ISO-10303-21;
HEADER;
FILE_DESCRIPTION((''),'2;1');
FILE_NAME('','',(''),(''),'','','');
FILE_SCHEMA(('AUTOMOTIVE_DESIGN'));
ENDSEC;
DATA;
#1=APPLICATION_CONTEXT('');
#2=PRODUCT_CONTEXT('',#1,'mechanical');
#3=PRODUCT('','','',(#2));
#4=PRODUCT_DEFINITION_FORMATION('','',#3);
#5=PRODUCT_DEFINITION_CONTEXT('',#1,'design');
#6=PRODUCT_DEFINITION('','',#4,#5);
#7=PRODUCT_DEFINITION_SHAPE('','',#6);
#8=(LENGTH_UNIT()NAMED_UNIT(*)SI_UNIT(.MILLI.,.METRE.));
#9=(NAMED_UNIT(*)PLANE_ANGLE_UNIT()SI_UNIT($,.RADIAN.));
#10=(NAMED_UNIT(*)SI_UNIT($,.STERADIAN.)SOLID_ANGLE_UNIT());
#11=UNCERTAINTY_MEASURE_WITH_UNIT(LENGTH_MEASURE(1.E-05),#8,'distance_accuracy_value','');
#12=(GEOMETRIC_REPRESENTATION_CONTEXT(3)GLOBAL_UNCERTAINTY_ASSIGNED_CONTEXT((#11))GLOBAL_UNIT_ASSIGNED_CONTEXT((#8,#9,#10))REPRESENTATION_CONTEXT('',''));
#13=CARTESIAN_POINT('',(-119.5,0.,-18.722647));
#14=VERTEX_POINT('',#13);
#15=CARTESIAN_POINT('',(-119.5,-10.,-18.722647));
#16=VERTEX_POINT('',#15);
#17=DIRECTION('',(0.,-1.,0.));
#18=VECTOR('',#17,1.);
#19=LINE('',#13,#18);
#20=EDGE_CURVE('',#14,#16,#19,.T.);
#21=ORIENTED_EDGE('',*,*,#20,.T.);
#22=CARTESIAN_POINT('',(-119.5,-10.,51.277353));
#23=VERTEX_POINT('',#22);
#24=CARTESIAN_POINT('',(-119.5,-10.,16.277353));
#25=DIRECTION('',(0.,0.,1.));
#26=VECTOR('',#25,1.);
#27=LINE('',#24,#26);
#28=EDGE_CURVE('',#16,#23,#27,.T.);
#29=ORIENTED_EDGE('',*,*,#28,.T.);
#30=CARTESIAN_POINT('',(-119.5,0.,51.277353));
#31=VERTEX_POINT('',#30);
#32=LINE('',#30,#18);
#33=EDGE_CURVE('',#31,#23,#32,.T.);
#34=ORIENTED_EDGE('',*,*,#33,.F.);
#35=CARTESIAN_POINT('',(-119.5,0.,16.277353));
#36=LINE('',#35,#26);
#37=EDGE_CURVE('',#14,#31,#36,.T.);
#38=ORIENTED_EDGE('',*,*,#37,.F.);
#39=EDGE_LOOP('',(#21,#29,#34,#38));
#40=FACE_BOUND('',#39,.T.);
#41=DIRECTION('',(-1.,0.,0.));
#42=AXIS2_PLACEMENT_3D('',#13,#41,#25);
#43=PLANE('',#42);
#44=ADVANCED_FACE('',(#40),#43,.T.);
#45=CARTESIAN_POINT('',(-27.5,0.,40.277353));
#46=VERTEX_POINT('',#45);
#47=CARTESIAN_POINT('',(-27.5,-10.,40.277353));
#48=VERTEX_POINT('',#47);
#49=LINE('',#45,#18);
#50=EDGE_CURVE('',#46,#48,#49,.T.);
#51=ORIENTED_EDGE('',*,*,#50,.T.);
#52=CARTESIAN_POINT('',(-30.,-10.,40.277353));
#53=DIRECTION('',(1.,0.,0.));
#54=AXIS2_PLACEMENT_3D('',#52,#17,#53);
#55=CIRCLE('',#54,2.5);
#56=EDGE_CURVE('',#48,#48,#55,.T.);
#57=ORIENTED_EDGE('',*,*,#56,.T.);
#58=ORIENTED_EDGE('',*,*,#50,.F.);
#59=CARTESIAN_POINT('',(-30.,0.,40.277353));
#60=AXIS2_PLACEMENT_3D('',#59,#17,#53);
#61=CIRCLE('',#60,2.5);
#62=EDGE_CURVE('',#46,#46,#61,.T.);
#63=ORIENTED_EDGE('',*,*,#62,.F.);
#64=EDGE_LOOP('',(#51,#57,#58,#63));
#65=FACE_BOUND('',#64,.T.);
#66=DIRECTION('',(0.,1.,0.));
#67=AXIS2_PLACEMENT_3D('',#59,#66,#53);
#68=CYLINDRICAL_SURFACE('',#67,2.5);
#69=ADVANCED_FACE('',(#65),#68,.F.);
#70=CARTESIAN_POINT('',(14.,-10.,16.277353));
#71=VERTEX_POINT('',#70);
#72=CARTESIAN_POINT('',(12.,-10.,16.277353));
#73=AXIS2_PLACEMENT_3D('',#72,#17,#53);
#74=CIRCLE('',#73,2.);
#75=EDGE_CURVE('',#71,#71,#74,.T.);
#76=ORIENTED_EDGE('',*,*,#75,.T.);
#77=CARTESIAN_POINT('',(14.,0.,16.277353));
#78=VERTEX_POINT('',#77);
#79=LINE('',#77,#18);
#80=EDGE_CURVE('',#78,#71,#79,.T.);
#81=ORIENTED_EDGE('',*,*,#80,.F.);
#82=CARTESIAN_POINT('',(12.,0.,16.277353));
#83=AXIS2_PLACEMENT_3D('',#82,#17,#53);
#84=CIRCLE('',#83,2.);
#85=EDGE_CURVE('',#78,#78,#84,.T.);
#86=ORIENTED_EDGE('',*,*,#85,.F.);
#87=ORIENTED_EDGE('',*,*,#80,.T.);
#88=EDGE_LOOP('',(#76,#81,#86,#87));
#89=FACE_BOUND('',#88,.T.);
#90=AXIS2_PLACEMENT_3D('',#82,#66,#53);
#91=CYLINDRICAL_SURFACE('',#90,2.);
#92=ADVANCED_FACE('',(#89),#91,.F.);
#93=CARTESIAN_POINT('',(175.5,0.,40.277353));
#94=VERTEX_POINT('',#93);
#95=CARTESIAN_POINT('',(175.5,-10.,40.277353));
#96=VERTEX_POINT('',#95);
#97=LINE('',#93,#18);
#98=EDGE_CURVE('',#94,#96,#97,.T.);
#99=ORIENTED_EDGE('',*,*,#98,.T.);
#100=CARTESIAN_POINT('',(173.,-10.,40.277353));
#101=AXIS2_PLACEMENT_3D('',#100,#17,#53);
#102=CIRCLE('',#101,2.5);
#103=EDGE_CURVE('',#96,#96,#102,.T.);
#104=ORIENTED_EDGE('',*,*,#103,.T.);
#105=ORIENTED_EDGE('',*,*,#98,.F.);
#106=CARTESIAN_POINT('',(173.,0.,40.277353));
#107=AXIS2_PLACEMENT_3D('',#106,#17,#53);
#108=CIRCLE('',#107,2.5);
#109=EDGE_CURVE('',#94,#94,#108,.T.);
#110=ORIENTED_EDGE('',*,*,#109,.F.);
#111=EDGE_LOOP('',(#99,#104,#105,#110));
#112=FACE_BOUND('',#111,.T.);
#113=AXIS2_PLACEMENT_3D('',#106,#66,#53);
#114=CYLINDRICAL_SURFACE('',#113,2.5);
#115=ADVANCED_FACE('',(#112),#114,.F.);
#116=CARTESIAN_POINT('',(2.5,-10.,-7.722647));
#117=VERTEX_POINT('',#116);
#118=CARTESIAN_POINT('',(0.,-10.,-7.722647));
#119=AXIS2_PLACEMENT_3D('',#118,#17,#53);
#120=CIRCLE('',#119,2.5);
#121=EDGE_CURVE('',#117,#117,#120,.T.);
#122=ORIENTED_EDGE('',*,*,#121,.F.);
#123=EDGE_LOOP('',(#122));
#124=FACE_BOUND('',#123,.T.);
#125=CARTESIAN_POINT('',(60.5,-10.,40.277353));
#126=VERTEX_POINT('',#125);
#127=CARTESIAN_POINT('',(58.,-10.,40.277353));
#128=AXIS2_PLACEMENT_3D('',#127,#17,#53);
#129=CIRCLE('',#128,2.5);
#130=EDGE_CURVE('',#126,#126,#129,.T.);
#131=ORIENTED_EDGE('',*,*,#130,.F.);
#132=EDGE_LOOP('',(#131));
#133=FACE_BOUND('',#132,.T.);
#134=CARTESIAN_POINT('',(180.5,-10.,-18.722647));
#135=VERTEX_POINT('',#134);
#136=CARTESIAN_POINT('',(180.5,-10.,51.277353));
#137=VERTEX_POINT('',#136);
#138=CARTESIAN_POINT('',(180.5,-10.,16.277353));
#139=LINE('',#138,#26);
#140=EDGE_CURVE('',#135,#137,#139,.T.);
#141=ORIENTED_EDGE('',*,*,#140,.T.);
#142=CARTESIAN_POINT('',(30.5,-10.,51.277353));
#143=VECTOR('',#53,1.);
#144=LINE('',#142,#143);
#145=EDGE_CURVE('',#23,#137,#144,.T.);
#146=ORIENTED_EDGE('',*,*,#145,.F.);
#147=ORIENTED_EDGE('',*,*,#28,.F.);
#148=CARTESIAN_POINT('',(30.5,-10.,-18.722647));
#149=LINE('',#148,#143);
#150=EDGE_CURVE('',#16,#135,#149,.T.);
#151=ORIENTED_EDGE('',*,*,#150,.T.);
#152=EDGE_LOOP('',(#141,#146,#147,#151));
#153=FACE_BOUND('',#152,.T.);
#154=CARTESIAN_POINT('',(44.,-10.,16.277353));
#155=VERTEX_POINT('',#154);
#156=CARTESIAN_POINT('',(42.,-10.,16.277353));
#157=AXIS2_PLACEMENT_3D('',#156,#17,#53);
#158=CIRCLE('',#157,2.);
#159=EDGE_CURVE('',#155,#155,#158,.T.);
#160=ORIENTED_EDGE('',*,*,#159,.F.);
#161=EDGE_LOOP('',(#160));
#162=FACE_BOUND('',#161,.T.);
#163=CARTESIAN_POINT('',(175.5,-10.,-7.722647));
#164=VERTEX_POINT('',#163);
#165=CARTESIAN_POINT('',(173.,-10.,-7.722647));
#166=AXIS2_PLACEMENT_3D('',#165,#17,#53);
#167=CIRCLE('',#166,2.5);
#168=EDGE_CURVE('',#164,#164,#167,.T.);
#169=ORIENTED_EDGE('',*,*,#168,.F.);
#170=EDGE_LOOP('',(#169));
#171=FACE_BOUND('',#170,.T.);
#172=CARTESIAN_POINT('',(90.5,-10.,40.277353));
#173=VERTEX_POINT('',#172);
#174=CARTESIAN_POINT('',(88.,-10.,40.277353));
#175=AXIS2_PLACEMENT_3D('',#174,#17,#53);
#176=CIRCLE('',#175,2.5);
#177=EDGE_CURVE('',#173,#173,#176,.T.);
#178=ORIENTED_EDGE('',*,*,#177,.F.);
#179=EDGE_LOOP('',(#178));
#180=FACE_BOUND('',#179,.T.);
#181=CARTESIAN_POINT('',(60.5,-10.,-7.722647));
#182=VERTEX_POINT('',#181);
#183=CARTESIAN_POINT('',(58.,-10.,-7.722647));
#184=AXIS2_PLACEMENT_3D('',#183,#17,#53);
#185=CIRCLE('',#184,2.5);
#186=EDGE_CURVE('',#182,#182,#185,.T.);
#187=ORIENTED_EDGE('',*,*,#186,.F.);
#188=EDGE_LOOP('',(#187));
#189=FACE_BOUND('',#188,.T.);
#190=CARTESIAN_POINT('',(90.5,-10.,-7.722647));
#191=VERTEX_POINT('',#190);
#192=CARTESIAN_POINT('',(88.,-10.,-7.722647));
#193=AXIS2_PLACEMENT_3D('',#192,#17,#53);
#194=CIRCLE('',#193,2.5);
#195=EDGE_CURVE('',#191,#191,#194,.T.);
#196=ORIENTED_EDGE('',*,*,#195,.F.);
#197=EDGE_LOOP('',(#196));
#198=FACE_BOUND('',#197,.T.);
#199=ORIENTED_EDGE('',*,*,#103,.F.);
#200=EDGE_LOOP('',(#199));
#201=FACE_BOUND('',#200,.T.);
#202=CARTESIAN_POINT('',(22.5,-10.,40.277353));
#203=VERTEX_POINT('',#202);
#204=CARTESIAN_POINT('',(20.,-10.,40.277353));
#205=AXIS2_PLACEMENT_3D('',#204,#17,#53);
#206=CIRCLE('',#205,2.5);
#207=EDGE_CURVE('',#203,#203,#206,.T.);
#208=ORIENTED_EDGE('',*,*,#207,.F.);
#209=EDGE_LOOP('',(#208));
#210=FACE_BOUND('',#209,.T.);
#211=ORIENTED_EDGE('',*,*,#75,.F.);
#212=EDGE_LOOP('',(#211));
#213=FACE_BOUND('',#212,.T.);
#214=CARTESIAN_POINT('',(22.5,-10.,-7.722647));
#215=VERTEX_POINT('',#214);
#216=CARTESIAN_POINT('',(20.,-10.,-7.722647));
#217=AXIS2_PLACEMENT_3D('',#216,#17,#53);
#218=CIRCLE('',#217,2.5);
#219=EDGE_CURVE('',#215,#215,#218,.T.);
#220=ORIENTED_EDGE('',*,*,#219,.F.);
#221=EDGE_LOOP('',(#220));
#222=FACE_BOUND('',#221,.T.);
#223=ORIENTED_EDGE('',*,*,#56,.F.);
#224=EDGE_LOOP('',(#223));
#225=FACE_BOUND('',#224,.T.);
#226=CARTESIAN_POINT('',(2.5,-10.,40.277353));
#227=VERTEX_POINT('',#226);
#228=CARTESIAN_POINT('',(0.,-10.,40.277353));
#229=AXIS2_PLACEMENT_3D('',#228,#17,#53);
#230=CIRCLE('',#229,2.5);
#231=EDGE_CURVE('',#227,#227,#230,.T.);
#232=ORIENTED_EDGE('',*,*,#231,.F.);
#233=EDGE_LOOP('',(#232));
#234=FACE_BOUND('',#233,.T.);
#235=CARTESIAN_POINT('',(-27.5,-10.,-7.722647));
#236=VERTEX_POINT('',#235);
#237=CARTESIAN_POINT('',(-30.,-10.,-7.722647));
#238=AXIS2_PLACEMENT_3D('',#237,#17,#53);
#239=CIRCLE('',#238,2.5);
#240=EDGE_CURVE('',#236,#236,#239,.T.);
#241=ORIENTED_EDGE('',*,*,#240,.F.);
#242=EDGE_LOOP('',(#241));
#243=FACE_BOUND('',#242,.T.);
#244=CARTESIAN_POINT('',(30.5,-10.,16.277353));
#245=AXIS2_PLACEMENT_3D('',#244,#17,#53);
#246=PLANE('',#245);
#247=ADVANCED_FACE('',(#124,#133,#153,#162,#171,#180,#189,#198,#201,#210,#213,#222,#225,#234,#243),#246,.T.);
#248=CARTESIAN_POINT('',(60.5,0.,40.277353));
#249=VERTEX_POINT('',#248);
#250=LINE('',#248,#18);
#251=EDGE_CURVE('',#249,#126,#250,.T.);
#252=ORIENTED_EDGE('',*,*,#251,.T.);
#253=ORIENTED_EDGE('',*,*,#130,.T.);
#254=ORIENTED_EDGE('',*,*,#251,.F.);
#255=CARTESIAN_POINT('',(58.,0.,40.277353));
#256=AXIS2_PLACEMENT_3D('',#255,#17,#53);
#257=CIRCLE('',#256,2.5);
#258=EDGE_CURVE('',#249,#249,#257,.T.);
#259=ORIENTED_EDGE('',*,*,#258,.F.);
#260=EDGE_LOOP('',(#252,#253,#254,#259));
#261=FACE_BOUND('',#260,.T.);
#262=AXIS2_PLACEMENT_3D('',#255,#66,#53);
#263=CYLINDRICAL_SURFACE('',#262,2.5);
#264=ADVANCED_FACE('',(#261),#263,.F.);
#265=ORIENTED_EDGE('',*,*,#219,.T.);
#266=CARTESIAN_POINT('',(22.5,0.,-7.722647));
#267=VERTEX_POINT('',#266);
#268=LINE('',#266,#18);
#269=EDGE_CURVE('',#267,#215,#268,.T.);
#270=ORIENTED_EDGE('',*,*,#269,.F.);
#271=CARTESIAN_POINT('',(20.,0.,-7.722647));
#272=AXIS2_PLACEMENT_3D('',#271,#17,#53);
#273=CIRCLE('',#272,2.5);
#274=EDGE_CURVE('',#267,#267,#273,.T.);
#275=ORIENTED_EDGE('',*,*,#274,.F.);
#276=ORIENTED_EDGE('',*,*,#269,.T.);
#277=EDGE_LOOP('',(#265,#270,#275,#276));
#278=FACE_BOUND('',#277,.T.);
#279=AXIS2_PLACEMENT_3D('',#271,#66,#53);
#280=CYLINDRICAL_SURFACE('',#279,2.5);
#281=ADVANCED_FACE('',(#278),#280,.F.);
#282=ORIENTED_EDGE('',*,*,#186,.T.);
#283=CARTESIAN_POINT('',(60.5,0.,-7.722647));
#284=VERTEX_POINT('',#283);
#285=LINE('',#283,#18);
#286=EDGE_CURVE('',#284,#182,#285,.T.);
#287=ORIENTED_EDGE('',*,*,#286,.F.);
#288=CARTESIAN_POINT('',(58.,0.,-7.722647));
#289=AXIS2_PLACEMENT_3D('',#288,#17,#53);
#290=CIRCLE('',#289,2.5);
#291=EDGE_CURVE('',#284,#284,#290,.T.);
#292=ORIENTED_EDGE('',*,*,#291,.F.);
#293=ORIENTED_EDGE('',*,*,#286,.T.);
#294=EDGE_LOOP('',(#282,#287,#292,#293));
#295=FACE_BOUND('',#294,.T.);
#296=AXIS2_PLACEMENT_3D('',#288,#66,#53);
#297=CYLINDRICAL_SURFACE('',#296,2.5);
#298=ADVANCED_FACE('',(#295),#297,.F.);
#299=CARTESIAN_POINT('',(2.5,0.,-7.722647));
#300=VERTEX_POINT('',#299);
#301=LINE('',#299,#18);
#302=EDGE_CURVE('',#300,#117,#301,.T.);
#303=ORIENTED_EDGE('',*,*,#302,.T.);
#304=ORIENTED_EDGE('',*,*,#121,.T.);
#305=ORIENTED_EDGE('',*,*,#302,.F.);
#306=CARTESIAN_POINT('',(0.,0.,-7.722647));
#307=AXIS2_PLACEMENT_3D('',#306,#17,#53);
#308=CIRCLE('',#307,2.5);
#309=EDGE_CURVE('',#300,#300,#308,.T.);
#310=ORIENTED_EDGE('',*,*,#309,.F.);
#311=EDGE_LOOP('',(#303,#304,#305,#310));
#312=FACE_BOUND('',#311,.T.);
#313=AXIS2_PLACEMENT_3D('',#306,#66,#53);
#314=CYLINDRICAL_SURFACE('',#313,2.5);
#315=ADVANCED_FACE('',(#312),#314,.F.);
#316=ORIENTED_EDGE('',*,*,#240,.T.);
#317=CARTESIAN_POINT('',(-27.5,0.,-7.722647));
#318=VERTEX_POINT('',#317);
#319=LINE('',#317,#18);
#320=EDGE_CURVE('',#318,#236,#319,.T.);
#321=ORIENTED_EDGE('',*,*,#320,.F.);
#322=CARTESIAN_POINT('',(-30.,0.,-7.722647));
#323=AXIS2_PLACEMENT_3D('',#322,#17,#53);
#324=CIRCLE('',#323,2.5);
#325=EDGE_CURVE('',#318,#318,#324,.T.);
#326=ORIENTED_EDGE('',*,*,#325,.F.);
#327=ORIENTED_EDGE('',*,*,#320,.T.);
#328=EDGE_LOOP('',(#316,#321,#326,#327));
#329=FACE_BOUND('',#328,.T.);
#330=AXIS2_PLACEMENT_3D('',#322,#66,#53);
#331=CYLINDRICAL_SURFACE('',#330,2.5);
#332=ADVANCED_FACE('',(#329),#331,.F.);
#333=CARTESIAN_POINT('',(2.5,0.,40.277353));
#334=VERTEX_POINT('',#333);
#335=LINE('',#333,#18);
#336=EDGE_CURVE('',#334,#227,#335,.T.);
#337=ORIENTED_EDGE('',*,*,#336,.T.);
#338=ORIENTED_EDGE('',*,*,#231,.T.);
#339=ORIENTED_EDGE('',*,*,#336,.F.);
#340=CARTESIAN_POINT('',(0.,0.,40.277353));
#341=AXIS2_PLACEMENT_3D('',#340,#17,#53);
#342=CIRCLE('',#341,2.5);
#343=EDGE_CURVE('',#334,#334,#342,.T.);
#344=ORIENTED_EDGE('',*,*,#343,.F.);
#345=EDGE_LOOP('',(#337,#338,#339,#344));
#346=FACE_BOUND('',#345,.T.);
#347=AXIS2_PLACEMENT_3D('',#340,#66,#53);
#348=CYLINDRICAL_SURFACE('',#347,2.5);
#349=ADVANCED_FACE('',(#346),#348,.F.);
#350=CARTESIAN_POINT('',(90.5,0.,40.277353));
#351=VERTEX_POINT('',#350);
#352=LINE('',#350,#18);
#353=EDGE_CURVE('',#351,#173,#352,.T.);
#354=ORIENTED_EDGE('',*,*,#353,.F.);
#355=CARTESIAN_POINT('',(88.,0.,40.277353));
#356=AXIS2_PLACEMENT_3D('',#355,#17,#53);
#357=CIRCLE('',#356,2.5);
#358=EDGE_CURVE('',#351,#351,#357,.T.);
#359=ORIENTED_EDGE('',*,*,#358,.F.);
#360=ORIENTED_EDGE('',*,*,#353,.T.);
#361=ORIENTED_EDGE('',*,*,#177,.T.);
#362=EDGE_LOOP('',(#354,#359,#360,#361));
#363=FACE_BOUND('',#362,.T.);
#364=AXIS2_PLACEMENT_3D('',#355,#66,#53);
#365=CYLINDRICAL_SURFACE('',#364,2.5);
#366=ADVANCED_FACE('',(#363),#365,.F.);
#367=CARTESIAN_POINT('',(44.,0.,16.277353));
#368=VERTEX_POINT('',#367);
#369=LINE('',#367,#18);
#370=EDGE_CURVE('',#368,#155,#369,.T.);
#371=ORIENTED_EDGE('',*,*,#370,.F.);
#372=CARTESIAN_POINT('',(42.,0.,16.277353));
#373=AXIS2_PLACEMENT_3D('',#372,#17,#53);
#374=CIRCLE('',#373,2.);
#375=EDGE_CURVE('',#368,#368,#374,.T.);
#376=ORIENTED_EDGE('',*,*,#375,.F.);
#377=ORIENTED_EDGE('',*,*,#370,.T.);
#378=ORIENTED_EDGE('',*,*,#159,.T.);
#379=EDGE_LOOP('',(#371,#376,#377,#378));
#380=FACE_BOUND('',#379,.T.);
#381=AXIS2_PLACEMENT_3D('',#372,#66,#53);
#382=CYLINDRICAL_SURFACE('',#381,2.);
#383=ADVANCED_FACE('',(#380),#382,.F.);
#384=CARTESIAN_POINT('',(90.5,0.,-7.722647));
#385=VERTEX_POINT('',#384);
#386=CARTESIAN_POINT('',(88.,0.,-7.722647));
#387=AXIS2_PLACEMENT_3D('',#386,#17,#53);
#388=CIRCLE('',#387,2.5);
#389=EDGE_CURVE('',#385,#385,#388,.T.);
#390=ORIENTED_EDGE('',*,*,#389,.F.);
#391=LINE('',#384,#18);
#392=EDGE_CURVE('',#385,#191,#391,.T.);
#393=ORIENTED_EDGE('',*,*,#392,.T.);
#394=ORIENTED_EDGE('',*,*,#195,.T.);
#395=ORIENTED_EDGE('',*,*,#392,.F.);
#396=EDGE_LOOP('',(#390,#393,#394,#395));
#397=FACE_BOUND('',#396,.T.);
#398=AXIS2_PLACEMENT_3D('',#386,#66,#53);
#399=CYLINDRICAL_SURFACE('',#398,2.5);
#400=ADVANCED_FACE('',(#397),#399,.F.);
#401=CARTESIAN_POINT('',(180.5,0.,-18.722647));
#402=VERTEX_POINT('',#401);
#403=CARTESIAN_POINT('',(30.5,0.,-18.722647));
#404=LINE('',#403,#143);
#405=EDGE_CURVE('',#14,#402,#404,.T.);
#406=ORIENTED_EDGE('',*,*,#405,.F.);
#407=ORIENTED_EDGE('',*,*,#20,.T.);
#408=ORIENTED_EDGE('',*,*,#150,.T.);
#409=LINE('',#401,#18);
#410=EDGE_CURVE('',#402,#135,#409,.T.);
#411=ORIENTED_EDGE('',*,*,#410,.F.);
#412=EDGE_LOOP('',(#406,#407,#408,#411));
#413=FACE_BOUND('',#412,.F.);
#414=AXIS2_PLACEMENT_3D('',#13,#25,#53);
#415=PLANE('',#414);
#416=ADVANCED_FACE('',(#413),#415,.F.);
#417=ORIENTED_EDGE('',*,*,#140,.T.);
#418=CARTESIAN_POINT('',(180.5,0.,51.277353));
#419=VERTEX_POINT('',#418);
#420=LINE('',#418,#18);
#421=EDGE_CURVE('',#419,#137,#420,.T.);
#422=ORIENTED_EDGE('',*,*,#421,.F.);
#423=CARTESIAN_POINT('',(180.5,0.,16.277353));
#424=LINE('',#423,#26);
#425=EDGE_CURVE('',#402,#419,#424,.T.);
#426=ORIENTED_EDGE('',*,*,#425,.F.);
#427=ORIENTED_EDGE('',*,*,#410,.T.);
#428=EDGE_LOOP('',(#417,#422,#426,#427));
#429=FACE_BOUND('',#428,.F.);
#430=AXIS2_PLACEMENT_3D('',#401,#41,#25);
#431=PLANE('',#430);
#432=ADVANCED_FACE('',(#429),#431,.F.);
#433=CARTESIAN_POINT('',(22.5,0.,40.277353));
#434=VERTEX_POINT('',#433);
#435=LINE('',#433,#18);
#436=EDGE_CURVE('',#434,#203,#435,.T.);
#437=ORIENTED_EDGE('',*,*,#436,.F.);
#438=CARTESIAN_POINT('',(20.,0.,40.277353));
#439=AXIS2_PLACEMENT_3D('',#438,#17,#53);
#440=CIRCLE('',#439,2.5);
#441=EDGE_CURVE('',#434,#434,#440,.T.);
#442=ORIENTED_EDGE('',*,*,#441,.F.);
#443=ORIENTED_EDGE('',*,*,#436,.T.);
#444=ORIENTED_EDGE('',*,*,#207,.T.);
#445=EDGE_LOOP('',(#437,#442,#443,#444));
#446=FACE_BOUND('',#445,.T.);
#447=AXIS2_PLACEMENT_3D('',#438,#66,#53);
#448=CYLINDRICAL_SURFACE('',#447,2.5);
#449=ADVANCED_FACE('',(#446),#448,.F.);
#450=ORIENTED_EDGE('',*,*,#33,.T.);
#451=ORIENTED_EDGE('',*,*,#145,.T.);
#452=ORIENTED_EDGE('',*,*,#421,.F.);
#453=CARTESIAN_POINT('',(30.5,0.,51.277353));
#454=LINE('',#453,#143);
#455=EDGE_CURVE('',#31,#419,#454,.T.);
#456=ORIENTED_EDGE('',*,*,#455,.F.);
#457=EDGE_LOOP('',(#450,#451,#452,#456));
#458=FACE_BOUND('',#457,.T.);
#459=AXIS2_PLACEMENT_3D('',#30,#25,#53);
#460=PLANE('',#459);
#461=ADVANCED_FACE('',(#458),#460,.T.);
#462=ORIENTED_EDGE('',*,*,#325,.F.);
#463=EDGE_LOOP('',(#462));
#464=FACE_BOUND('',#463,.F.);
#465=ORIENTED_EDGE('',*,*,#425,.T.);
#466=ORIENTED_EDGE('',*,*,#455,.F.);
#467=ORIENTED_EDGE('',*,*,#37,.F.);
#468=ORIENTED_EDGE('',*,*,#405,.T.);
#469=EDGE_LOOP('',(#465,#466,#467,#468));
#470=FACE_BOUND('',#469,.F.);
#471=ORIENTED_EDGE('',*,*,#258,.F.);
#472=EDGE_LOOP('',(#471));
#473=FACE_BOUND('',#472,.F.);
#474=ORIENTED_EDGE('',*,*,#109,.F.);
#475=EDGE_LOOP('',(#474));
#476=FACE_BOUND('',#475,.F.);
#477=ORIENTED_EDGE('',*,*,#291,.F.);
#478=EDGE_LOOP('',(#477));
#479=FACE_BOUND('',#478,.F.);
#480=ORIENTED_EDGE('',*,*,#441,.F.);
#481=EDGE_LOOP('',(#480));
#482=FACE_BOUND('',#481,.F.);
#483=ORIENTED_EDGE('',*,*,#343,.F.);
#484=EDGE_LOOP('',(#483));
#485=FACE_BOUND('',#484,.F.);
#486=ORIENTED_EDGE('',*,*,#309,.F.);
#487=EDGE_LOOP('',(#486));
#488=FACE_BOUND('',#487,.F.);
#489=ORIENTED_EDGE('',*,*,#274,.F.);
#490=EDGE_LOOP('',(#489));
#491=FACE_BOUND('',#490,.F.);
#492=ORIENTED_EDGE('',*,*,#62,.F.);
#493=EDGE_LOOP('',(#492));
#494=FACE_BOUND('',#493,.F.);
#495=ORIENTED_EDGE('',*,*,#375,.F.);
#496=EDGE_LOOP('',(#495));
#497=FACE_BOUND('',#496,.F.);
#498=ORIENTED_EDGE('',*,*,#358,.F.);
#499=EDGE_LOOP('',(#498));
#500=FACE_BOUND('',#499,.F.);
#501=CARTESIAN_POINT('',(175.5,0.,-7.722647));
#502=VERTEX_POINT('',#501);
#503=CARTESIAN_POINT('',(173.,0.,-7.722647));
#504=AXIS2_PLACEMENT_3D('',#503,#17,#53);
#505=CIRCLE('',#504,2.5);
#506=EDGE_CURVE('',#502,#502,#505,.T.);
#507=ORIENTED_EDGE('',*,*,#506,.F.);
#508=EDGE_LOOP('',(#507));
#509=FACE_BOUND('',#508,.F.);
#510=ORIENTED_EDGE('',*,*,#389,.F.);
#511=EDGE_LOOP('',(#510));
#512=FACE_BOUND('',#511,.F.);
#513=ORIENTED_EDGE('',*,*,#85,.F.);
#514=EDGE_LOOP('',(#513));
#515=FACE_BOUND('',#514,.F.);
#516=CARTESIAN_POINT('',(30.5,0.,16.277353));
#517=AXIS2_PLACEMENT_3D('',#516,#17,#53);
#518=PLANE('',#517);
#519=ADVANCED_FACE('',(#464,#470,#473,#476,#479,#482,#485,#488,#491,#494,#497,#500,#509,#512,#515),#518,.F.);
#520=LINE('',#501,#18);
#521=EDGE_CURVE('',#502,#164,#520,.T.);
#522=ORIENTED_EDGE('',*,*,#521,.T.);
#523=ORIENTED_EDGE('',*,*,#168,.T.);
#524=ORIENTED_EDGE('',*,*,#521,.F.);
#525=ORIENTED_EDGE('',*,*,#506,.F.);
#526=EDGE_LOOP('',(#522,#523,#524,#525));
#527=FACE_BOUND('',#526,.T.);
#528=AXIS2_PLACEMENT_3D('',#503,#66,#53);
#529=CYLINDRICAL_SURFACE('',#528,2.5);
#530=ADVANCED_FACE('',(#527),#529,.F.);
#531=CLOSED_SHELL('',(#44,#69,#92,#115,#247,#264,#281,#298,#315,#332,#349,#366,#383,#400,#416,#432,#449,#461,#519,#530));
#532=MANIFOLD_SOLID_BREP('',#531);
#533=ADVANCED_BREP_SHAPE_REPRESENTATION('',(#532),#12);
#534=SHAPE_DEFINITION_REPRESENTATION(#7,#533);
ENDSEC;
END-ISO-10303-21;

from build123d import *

# Parameters (mm, degrees)
F0_W     = 300
F0_H     = 70
F0_R     = 2.5
F0_R_2   = 2
F1_DEPTH = 10


with BuildPart() as f1:
    # F0 (on Front) → F1 (new body)
    with BuildSketch(Plane.XZ):
        with Locations((30.5, 16.277353)):
            Rectangle(F0_W, F0_H)
        with Locations((-30, -7.722647)):
            Circle(F0_R, mode=Mode.SUBTRACT)
        with Locations((0, -7.722647)):
            Circle(F0_R, mode=Mode.SUBTRACT)
        with Locations((20, -7.722647)):
            Circle(F0_R, mode=Mode.SUBTRACT)
        with Locations((58, -7.722647)):
            Circle(F0_R, mode=Mode.SUBTRACT)
        with Locations((88, -7.722647)):
            Circle(F0_R, mode=Mode.SUBTRACT)
        with Locations((173, -7.722647)):
            Circle(F0_R, mode=Mode.SUBTRACT)
        with Locations((12, 16.277353)):
            Circle(F0_R_2, mode=Mode.SUBTRACT)
        with Locations((-30, 40.277353)):
            Circle(F0_R, mode=Mode.SUBTRACT)
        with Locations((0, 40.277353)):
            Circle(F0_R, mode=Mode.SUBTRACT)
        with Locations((20, 40.277353)):
            Circle(F0_R, mode=Mode.SUBTRACT)
        with Locations((42, 16.277353)):
            Circle(F0_R_2, mode=Mode.SUBTRACT)
        with Locations((58, 40.277353)):
            Circle(F0_R, mode=Mode.SUBTRACT)
        with Locations((88, 40.277353)):
            Circle(F0_R, mode=Mode.SUBTRACT)
        with Locations((173, 40.277353)):
            Circle(F0_R, mode=Mode.SUBTRACT)
    extrude(amount=F1_DEPTH)


solid = f1.part
